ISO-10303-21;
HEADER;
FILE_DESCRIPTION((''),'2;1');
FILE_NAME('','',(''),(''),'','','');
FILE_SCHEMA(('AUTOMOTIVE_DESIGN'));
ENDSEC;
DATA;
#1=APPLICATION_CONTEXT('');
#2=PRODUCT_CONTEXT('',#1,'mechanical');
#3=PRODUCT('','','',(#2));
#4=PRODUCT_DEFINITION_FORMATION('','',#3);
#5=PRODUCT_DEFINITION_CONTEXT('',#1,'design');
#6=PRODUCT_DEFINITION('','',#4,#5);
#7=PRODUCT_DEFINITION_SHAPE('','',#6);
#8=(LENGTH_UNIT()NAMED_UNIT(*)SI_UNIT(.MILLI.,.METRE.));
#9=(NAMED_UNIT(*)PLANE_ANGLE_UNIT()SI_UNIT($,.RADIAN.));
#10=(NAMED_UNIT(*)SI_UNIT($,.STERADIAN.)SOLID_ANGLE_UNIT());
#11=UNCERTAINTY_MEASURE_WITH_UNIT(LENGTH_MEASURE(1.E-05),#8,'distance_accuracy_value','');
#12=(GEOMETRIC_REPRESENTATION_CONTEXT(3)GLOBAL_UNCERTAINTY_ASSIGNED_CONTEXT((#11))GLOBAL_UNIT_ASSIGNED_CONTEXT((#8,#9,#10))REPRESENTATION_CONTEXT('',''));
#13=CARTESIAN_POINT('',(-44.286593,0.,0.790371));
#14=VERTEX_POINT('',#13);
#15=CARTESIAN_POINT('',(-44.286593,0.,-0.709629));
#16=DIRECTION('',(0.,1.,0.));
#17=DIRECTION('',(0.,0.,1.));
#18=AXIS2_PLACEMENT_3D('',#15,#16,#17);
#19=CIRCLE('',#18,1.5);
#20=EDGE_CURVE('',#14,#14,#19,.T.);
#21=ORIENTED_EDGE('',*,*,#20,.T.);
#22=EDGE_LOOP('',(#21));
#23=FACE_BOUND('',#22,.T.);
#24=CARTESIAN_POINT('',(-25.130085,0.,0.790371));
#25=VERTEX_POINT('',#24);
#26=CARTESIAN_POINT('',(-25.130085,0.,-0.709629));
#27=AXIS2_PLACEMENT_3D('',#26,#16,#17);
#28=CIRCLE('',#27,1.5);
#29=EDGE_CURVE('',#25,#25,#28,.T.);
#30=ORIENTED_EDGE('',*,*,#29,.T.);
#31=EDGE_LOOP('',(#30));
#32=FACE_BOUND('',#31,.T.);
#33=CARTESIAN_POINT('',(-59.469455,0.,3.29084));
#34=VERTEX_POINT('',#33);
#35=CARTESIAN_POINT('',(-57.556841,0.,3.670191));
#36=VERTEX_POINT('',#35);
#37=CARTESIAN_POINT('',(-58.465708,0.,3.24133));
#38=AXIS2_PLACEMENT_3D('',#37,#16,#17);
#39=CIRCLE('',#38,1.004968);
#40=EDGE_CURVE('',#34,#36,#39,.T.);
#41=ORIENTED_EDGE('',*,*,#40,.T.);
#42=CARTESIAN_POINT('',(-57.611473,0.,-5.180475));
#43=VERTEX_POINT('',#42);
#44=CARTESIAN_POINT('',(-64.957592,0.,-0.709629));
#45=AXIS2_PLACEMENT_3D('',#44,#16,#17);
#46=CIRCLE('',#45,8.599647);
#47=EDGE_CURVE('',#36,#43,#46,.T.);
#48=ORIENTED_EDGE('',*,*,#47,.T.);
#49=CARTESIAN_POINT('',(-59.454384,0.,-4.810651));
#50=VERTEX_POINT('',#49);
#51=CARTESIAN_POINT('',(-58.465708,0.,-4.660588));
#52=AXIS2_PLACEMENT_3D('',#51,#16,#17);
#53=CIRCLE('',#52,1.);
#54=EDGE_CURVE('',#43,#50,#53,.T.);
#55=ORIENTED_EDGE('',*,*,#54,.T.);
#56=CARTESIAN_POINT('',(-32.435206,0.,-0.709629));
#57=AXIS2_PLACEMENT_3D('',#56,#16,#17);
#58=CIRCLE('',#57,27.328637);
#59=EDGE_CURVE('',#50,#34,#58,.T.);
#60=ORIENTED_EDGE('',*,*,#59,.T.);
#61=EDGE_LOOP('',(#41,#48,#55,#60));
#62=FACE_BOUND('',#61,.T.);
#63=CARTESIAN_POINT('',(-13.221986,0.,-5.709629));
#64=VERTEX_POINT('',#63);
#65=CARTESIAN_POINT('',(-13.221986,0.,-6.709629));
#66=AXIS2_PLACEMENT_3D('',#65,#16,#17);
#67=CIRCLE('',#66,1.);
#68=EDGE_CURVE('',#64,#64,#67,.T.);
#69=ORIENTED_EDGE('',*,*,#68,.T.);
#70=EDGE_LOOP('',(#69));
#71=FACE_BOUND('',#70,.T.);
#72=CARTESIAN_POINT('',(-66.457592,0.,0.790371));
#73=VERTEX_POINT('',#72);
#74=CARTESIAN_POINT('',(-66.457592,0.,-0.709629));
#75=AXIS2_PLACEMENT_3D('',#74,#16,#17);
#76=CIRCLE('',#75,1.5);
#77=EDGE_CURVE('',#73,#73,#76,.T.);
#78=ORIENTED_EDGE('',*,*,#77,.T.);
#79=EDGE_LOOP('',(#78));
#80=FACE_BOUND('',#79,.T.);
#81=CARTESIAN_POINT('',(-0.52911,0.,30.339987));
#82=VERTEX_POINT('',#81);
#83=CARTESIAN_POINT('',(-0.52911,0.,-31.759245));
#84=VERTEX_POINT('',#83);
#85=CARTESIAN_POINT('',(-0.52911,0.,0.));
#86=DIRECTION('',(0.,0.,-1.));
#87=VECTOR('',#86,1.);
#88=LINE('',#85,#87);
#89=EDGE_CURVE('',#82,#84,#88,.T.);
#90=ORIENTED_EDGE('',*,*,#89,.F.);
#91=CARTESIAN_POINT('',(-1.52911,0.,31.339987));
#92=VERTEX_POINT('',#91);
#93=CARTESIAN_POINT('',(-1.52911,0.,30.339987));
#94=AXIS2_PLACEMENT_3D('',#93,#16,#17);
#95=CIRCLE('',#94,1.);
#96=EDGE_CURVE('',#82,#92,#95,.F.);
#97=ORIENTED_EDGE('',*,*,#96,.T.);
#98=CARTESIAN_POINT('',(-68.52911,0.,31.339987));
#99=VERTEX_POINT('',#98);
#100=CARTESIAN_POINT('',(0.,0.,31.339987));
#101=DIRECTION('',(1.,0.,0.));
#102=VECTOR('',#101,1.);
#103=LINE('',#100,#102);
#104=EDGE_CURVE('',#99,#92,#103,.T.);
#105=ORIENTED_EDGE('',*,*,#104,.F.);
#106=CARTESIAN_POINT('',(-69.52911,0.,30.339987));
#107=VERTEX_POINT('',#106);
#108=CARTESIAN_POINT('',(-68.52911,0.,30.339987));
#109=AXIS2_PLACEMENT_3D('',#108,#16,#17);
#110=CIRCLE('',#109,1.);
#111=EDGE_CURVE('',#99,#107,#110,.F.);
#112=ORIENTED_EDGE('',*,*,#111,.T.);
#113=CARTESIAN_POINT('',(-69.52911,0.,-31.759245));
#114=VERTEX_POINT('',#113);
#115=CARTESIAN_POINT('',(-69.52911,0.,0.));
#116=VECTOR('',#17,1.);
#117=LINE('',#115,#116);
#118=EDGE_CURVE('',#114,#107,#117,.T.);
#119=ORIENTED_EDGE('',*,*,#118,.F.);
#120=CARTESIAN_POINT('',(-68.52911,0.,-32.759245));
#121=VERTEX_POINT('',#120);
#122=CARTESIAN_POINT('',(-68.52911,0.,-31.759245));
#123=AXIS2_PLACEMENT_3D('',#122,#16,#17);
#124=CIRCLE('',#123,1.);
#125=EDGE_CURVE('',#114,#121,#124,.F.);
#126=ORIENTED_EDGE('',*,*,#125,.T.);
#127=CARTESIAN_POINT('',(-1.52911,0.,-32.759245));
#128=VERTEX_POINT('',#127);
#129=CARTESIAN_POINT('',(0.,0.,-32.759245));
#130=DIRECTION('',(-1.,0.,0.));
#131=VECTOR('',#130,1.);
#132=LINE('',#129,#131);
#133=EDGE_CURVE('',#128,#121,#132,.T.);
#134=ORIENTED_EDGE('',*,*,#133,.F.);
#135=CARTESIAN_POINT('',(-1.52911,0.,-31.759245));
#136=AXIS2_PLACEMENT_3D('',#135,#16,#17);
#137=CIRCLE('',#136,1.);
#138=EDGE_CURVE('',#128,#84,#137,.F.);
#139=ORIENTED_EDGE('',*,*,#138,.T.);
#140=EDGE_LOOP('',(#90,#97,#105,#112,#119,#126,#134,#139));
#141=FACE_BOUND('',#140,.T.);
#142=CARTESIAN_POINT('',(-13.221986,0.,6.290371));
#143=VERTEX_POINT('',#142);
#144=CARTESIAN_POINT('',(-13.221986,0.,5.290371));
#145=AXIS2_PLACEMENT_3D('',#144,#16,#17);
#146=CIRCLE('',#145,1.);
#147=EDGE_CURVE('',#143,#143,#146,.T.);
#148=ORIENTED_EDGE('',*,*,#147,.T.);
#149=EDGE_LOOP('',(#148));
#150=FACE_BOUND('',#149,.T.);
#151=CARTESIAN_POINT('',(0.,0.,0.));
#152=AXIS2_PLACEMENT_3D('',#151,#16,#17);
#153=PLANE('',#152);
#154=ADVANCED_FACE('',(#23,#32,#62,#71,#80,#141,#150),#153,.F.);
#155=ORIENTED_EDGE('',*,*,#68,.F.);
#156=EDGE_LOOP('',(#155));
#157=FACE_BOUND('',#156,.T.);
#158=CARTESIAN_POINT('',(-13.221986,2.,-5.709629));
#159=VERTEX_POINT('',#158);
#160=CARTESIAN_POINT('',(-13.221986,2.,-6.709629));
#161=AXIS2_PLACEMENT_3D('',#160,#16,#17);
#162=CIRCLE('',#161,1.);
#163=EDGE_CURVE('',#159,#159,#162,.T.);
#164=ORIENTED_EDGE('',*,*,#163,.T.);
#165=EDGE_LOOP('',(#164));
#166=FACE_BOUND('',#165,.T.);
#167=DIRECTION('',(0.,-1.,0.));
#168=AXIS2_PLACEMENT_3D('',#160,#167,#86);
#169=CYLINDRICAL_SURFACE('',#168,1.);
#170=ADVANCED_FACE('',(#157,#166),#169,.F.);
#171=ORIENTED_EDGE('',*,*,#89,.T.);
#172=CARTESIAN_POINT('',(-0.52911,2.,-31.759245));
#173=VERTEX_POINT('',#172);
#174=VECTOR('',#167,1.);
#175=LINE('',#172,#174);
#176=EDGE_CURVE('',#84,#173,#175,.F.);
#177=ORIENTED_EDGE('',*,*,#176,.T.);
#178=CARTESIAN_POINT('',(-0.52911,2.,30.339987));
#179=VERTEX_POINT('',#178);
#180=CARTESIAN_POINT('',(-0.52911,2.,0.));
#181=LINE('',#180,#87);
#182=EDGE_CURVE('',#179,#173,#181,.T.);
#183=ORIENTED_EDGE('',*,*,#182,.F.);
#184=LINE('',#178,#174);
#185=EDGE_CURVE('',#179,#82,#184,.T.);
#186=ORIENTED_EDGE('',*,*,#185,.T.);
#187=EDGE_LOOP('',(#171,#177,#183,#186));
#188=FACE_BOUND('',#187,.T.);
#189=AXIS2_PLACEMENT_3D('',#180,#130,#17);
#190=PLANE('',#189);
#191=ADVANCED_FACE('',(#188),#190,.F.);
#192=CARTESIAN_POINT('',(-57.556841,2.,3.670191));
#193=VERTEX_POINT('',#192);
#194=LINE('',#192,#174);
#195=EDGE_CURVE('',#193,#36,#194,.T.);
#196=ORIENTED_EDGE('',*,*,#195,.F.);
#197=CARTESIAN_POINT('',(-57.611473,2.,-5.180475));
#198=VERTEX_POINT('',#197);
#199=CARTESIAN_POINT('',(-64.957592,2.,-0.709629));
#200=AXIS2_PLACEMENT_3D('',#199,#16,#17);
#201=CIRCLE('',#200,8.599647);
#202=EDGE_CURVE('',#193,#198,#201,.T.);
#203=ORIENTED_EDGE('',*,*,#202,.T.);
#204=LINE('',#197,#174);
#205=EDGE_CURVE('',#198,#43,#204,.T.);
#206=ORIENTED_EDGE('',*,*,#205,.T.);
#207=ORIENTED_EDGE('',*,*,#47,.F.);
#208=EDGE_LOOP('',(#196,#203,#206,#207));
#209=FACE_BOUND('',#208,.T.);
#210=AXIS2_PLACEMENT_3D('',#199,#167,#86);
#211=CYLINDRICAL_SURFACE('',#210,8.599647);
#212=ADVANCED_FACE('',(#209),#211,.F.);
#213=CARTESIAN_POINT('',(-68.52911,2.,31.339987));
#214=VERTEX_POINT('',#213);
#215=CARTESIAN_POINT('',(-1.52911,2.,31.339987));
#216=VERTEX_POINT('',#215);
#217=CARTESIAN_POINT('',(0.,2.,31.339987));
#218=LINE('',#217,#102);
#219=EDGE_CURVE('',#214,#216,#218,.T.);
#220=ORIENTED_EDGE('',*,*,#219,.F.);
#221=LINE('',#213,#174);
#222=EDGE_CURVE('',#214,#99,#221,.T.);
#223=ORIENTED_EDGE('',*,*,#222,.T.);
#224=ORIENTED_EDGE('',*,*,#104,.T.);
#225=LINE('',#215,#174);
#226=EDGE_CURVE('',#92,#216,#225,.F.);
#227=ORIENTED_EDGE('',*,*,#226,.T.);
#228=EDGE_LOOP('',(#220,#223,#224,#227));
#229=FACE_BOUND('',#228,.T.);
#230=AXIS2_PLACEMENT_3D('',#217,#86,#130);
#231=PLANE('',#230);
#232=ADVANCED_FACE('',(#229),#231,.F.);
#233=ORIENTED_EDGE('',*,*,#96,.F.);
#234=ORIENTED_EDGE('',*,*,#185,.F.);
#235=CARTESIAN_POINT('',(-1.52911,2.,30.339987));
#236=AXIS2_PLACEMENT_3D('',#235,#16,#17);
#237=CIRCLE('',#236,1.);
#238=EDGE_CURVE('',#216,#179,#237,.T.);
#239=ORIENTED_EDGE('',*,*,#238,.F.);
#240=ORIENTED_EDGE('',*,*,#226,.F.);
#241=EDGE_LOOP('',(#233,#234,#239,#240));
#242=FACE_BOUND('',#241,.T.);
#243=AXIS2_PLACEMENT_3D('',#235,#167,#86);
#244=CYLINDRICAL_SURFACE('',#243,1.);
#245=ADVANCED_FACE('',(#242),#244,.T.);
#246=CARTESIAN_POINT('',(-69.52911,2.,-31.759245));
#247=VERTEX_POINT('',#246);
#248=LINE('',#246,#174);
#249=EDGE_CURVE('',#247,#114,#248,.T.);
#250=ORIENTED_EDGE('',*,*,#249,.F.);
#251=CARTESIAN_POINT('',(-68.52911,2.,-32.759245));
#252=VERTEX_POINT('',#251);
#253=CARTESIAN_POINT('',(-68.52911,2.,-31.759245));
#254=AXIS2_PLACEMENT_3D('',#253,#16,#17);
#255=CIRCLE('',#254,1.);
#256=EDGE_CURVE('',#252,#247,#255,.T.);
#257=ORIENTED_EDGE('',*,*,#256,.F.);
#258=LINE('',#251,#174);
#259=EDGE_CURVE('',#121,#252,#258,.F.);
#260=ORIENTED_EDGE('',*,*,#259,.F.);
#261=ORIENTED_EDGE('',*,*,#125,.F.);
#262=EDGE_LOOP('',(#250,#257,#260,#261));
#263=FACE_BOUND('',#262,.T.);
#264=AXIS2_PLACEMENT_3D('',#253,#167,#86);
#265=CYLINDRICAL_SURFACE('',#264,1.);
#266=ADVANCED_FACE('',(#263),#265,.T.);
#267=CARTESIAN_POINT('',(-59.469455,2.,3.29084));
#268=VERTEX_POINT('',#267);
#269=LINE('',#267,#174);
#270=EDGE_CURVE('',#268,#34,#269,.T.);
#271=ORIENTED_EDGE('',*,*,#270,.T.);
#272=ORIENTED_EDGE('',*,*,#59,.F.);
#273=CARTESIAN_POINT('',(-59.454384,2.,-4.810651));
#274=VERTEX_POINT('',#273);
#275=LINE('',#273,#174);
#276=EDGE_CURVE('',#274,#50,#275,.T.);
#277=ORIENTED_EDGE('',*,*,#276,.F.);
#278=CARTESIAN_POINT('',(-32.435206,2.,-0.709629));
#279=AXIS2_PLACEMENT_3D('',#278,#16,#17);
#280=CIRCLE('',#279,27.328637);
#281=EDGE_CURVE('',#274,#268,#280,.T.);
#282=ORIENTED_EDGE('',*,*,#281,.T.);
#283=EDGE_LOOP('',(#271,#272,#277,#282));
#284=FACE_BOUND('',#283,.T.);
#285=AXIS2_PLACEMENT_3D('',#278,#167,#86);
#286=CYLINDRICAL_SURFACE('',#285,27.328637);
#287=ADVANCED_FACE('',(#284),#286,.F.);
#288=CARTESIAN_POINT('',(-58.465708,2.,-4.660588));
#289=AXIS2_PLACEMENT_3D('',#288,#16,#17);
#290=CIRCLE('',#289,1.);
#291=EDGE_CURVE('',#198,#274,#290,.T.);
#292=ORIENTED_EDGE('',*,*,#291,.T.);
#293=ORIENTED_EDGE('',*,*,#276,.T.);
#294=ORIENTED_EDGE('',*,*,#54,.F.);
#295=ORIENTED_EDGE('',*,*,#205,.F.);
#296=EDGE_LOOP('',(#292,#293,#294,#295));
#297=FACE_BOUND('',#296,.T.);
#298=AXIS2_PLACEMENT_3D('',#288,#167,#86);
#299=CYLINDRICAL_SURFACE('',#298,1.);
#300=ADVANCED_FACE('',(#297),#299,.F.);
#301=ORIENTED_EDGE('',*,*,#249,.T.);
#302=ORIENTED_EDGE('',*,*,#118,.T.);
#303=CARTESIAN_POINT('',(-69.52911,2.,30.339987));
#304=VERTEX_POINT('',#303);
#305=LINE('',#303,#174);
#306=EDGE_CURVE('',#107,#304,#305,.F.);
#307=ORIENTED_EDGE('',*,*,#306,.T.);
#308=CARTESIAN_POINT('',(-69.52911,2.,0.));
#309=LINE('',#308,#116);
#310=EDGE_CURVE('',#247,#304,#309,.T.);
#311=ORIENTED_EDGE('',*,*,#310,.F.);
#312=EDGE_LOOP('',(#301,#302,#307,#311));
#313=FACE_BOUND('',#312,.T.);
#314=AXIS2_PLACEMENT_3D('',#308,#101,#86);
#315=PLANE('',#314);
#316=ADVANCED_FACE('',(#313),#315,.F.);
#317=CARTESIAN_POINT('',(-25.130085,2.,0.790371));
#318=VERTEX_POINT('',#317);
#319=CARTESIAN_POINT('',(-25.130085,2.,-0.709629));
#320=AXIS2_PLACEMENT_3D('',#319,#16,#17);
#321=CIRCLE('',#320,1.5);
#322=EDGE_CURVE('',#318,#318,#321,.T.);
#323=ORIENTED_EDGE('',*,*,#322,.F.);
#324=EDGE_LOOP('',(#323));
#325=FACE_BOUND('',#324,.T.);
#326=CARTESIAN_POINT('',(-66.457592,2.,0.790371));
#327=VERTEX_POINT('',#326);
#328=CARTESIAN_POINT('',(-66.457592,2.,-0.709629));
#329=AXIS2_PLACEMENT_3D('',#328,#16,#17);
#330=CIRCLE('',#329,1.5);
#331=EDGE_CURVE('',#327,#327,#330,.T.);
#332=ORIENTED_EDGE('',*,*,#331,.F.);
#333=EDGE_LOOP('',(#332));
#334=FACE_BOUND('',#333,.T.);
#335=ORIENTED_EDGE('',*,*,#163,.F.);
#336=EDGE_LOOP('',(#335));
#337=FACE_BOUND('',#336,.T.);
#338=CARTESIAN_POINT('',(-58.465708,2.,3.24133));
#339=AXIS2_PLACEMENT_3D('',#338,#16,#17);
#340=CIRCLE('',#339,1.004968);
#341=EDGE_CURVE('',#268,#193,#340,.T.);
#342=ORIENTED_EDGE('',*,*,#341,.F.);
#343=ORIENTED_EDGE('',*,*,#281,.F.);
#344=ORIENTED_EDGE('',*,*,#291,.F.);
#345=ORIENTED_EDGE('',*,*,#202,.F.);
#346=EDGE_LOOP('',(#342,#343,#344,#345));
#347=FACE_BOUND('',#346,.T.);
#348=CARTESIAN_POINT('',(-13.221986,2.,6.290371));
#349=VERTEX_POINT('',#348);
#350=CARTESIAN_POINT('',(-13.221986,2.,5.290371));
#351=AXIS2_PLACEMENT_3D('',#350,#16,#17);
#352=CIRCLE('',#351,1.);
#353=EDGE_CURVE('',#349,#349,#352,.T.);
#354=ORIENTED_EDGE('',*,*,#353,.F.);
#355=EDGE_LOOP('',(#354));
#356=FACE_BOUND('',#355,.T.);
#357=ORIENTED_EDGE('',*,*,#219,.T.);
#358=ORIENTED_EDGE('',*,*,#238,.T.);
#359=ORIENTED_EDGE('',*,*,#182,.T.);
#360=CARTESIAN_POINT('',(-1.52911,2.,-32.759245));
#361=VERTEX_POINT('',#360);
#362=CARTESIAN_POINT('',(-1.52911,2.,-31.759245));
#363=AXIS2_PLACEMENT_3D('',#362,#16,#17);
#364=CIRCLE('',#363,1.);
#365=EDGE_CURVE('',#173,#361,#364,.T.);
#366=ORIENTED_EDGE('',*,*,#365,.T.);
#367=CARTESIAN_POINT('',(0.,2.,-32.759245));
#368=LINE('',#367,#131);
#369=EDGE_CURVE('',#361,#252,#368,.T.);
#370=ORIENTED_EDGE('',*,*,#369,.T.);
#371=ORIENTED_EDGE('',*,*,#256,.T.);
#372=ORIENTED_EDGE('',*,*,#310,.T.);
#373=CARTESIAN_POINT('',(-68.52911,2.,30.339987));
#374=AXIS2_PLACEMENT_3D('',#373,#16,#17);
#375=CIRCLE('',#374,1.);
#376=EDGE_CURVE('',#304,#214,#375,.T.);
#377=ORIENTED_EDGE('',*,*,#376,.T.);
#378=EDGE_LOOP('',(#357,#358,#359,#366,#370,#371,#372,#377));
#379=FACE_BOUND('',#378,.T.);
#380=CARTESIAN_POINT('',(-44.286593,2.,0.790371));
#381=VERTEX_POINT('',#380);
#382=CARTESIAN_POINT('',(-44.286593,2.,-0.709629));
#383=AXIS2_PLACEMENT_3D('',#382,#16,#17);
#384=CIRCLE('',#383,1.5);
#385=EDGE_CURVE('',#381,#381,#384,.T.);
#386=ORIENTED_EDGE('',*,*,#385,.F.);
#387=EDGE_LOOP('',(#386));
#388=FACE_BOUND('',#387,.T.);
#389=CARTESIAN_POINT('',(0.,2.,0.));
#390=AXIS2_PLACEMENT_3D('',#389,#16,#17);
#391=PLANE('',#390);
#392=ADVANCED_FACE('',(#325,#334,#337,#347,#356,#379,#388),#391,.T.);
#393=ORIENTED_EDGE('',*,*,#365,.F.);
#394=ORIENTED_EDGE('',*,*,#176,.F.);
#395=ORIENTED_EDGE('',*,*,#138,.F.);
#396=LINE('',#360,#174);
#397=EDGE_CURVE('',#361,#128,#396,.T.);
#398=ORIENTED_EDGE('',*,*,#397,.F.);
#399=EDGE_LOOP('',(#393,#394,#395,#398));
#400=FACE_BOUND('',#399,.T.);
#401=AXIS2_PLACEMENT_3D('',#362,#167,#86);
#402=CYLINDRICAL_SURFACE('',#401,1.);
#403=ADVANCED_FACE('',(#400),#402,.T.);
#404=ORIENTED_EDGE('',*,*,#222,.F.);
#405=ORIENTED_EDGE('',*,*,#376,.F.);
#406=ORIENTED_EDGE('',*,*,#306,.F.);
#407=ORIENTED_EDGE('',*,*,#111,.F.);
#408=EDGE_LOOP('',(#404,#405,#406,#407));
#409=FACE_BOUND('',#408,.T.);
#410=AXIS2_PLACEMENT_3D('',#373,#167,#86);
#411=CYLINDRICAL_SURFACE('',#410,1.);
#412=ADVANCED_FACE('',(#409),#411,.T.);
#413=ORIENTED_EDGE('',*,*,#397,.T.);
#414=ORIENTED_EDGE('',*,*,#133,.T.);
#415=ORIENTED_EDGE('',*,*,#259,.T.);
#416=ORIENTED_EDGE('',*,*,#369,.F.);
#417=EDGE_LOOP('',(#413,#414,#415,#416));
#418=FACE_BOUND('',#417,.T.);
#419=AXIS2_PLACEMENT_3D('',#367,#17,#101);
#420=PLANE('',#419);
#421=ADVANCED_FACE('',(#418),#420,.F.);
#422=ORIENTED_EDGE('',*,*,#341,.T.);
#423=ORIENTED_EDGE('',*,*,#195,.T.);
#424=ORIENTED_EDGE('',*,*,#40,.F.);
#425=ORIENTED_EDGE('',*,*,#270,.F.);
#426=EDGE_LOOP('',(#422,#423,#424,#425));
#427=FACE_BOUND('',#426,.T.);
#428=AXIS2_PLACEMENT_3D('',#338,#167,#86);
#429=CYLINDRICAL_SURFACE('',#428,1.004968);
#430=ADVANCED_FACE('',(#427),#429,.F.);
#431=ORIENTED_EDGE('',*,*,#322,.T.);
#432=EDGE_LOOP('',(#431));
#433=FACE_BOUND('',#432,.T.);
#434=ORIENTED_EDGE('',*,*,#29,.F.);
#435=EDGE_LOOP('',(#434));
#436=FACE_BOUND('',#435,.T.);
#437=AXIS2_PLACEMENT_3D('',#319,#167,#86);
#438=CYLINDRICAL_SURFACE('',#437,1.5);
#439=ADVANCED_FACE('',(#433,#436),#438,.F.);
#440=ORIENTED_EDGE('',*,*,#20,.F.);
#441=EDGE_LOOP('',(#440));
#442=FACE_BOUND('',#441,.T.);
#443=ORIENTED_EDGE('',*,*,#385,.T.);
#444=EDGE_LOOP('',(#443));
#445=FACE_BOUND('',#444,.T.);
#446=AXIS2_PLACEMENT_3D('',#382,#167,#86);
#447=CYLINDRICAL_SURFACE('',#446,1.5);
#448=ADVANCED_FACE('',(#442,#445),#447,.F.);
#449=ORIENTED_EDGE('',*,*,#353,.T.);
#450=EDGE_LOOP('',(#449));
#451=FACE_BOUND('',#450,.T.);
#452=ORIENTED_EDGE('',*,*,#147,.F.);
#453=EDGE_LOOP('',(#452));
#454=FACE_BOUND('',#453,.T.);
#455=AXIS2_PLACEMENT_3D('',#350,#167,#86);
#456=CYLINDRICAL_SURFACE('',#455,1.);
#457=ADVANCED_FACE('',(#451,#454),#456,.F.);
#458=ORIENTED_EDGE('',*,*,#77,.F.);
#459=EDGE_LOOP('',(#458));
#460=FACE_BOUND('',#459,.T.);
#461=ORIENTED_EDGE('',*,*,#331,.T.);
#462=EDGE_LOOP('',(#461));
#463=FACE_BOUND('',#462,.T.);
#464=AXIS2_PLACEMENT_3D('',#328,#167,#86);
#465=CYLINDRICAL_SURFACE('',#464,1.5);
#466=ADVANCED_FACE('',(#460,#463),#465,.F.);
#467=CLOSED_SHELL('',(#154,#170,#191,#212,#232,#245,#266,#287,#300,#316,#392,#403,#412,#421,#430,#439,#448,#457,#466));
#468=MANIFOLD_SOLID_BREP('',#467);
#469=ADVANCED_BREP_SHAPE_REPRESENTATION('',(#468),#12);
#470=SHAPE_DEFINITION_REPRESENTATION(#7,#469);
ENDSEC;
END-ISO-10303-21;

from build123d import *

# Parameters (mm, degrees)
CROQUIS1_W              = 69
CROQUIS1_H              = 64.099232263
CROQUIS1_R              = 1
CROQUIS1_R_2            = 1.5
SALIENTE_EXTRUIR1_DEPTH = 2
REDONDEO1_R             = 1


with BuildPart() as part:
    # Croquis1 → Saliente-Extruir1 (new body)
    with BuildSketch(Plane(origin=(0, 0, 0), x_dir=(1, 0, 0), z_dir=(0, 1, 0))):
        with Locations((-35.029110392, 0.70962906)):
            Rectangle(CROQUIS1_W, CROQUIS1_H)
        with BuildLine():
            ThreePointArc((-59.454384172, 4.810651437), (-58.662459069, 5.641041677), (-57.611472837, 5.180475439))
            ThreePointArc((-57.611472837, 5.180475439), (-56.358108465, 0.762709988), (-57.556841461, -3.67019121))
            ThreePointArc((-57.556841461, -3.67019121), (-57.60722938, -3.763799887), (-57.667223738, -3.851562088))
            ThreePointArc((-57.667223738, -3.851562088), (-58.665645829, -4.226208068), (-59.438939328, -3.491889713))
            ThreePointArc((-59.438939328, -3.491889713), (-59.459295474, -3.392138765), (-59.469455013, -3.290840157))
            ThreePointArc((-59.469455013, -3.290840157), (-59.763795222, 0.760467206), (-59.454384172, 4.810651437))
        make_face(mode=Mode.SUBTRACT)
        with Locations((-13.221985845, -5.290370941)):
            Circle(CROQUIS1_R, mode=Mode.SUBTRACT)
        with Locations((-66.45759178, 0.709629059)):
            Circle(CROQUIS1_R_2, mode=Mode.SUBTRACT)
        with Locations((-44.286593268, 0.709629059)):
            Circle(CROQUIS1_R_2, mode=Mode.SUBTRACT)
        with Locations((-25.130085357, 0.709629059)):
            Circle(CROQUIS1_R_2, mode=Mode.SUBTRACT)
        with Locations((-13.221985845, 6.709629059)):
            Circle(CROQUIS1_R, mode=Mode.SUBTRACT)
    extrude(amount=SALIENTE_EXTRUIR1_DEPTH)

    # Redondeo1
    redondeo1_edges = [part.edges().sort_by_distance(p)[0] for p in [
        (-0.529110392, 1, 31.339987072),
        (-69.529110392, 1, 31.339987072),
        (-69.529110392, 1, -32.759245191),
        (-0.529110392, 1, -32.759245191),
    ]]
    fillet(redondeo1_edges, radius=REDONDEO1_R)


solid = part.part
